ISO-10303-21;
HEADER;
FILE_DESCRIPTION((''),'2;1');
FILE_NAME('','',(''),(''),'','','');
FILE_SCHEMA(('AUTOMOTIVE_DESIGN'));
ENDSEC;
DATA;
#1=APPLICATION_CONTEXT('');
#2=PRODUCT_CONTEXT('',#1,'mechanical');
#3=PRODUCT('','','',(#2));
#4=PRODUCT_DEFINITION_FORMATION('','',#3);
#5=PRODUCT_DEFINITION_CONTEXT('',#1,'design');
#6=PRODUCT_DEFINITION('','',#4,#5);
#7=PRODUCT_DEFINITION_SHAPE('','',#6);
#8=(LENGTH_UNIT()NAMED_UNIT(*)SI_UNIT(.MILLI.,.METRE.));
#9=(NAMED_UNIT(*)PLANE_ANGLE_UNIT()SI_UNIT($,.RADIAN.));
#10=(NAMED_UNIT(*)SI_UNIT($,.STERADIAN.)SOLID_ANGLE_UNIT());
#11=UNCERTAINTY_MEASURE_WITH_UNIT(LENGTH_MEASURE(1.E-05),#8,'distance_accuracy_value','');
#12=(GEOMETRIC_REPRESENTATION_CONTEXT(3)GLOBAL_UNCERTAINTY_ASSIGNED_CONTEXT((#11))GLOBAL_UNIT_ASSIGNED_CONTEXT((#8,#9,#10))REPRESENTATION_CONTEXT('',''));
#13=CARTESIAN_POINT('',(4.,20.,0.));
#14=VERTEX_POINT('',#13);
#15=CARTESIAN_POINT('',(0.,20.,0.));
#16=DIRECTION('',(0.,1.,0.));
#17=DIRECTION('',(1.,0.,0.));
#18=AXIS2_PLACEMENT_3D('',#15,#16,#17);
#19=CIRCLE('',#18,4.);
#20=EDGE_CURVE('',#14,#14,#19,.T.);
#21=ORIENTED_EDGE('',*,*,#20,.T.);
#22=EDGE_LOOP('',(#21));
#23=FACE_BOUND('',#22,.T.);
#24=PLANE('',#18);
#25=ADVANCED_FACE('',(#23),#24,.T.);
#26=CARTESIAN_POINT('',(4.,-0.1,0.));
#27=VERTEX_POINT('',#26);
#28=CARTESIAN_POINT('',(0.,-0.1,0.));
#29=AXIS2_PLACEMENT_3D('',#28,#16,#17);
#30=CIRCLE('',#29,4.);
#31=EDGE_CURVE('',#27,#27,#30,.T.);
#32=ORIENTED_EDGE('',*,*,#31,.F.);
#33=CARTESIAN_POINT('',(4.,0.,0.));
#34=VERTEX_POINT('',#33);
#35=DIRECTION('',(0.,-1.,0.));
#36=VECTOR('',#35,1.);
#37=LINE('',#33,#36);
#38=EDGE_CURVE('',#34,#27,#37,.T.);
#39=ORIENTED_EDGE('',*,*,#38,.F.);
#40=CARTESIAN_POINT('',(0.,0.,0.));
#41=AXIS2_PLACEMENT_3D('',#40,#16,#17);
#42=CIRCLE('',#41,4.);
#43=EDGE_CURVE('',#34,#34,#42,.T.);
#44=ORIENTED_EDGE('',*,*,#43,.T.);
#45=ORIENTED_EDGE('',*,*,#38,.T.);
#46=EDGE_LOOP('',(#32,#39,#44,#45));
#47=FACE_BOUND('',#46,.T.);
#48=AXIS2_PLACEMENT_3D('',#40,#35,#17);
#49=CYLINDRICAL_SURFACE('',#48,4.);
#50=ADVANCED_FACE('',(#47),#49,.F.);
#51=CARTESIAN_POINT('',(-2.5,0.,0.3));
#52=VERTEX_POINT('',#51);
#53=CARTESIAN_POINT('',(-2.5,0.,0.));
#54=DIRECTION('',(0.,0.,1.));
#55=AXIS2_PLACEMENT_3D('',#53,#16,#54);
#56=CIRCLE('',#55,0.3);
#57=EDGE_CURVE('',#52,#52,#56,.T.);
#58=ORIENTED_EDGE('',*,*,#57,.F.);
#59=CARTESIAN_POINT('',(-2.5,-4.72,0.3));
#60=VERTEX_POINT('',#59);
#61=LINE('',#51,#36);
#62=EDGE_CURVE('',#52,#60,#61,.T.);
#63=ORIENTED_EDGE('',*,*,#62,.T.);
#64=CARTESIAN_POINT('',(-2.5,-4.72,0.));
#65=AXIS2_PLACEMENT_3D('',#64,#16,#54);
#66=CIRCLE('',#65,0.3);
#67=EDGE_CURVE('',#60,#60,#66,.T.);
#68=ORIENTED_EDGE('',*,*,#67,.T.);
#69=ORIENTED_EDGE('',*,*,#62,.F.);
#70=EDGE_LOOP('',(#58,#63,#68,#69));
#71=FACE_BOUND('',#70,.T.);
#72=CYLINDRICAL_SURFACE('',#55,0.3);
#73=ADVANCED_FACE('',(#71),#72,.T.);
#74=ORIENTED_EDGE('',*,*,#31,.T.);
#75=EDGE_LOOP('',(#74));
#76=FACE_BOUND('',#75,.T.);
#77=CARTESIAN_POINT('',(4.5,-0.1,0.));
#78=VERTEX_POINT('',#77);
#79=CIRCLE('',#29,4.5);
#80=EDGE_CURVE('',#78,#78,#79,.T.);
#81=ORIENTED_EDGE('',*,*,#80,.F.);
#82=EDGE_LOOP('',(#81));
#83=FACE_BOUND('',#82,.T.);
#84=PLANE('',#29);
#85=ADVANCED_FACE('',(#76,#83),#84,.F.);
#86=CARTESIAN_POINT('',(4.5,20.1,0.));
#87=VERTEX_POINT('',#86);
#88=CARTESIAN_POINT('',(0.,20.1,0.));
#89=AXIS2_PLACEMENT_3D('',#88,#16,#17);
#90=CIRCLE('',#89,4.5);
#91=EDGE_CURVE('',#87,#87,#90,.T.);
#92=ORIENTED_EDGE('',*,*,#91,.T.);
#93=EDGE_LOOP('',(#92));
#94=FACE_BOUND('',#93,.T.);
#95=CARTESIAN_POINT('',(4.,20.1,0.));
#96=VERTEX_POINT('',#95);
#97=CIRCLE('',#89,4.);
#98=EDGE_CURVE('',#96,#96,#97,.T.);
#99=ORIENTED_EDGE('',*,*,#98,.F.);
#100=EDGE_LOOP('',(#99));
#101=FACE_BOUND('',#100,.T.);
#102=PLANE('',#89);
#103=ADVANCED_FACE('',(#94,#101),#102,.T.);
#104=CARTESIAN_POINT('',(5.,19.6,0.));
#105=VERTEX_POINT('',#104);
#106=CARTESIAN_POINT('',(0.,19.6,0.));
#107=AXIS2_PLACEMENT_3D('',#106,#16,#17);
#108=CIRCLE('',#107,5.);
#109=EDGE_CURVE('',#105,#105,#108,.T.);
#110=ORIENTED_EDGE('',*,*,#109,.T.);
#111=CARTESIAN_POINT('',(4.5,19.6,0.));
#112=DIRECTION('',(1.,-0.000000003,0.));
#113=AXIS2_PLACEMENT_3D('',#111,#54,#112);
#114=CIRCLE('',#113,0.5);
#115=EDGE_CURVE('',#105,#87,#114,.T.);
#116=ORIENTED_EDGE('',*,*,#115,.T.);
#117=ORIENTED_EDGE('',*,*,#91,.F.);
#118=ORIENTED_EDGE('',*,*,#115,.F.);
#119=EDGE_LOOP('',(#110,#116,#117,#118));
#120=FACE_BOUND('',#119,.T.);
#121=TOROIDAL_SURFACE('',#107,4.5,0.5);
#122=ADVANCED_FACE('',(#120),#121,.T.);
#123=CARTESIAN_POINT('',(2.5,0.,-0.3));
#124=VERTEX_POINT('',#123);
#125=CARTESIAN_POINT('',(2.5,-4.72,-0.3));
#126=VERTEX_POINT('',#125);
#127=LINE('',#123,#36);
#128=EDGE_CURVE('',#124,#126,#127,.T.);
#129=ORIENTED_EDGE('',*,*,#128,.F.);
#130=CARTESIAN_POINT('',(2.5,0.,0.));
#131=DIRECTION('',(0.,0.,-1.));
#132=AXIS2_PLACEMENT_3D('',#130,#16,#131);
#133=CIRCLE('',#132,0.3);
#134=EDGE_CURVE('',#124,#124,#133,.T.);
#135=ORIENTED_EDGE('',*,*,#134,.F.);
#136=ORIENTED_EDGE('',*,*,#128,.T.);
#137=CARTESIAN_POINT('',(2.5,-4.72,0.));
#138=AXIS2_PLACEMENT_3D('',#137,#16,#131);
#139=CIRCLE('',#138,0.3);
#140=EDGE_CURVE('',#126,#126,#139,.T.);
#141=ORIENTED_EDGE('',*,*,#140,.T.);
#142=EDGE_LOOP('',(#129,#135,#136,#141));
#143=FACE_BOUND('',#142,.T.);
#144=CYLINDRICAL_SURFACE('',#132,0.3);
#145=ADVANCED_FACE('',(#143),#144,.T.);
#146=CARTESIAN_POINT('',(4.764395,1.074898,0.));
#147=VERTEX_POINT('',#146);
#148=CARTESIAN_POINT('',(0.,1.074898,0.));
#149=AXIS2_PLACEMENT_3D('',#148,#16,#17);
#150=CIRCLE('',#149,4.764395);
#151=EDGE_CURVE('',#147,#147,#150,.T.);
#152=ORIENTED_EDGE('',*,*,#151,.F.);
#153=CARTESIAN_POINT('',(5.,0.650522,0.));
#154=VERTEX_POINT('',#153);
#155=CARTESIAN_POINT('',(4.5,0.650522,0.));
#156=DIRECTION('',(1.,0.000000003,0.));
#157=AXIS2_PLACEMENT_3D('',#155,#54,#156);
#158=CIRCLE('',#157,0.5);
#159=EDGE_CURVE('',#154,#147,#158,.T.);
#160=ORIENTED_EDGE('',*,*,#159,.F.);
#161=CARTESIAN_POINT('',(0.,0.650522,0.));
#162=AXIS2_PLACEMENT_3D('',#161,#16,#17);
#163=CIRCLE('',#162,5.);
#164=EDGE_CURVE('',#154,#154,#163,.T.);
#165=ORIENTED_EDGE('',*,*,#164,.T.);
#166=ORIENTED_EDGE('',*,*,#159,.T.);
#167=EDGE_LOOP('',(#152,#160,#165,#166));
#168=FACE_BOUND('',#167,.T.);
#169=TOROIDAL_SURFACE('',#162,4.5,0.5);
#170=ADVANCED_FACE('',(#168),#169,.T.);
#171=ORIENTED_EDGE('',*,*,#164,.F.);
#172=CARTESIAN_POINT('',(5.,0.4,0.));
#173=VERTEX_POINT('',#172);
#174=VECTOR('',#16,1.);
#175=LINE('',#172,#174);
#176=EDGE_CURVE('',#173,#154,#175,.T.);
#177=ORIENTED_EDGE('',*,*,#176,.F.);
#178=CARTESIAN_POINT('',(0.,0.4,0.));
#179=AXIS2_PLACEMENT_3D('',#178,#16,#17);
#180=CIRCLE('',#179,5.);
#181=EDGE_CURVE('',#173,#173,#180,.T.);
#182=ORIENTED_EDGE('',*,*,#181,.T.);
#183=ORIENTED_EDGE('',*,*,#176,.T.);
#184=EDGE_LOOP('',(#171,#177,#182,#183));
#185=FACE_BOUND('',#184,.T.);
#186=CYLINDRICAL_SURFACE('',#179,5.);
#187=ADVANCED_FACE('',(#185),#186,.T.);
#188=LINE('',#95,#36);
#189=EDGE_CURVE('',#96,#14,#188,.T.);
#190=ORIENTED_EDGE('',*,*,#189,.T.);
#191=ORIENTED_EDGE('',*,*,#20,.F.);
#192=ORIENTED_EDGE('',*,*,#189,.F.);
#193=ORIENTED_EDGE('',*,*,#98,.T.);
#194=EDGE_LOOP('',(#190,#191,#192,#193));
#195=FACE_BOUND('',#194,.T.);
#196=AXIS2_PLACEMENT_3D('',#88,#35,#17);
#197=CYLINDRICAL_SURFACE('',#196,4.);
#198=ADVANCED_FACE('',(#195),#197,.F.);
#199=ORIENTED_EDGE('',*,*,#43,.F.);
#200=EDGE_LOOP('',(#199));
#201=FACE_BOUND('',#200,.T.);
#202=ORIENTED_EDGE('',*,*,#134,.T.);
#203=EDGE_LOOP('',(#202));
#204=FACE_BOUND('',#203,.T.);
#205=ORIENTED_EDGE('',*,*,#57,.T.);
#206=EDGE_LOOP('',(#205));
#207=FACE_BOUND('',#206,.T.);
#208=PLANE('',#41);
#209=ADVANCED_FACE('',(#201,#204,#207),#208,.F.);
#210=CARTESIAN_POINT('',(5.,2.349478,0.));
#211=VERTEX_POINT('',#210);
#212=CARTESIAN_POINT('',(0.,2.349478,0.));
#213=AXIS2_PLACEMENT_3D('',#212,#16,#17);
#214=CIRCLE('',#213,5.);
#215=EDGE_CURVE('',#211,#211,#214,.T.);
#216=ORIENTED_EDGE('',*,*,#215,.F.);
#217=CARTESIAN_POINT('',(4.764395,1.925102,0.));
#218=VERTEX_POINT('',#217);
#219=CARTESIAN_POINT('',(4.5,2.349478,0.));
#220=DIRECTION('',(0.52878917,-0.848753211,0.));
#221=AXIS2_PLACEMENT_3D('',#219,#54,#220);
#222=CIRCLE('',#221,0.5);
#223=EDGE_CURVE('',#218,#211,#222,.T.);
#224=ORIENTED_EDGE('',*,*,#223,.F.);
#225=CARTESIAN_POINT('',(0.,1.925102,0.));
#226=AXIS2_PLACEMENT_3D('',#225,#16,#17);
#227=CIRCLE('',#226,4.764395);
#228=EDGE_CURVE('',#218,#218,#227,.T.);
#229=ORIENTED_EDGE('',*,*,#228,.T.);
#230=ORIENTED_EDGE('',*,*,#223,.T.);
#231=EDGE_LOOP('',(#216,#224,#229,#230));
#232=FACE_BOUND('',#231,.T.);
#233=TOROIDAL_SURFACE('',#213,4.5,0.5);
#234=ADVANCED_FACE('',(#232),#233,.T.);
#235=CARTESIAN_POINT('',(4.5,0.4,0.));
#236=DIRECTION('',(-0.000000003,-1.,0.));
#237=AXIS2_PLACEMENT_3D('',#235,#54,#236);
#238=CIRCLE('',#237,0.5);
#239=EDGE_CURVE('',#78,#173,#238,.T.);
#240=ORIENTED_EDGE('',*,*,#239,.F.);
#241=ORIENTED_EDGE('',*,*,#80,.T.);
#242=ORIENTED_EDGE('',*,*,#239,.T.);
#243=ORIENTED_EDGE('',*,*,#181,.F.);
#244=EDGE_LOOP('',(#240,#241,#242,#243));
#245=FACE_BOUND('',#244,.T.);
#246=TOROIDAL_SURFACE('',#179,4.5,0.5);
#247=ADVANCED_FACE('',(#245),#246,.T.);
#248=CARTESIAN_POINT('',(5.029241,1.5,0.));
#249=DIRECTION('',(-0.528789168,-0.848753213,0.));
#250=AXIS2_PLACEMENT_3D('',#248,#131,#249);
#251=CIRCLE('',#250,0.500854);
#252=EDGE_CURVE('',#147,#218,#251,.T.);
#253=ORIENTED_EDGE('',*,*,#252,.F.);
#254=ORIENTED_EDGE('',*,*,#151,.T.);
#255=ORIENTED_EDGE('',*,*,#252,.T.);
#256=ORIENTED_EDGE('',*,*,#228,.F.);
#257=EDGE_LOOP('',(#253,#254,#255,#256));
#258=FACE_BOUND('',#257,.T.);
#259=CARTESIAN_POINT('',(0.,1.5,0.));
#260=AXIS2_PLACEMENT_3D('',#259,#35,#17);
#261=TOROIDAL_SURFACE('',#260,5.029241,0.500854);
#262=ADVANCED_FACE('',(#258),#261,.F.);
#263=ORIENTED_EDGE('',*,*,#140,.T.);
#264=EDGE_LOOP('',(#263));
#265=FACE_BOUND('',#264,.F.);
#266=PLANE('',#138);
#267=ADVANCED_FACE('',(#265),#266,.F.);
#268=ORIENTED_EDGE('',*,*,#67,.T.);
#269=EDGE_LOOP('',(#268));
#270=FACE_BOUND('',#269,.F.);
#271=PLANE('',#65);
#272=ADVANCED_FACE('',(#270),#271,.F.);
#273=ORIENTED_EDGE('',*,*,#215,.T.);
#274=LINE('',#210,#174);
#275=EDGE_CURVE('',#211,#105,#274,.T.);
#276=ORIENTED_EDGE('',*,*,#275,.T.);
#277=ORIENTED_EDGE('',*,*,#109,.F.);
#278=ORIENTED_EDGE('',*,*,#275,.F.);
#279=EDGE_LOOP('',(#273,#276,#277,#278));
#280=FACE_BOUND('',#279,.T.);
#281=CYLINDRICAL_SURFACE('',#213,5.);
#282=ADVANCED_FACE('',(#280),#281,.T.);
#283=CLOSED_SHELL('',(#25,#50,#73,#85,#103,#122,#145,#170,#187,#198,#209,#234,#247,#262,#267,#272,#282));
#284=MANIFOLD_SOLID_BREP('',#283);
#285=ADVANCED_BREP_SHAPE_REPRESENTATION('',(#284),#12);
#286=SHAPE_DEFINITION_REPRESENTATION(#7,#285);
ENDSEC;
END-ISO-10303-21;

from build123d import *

# Parameters (mm, degrees)
SKETCH1_R             = 0.3
BOSS_EXTRUDE1_DEPTH   = 4.72
BOSS_EXTRUDE1_2_DEPTH = 4.72


with BuildPart() as part:
    # Sketch1 → Boss-Extrude1 (new body)
    with BuildSketch(Plane(origin=(0, 0, 0), x_dir=(1, 0, 0), z_dir=(0, 1, 0))):
        with Locations(Location((-2.5, 0, 0), (0, 0, 270))):
            Circle(SKETCH1_R)
    extrude(amount=-BOSS_EXTRUDE1_DEPTH)



with BuildPart() as body_2:
    # Sketch1 → Boss-Extrude1 2 (new body)
    with BuildSketch(Plane(origin=(0, 0, 0), x_dir=(1, 0, 0), z_dir=(0, 1, 0))):
        with Locations(Location((2.5, 0, 0), (0, 0, 90))):
            Circle(SKETCH1_R)
    extrude(amount=-BOSS_EXTRUDE1_2_DEPTH)


with BuildPart() as part_1:
    add(part.part)

    add(body_2.part)  # Revolve1 merges body 2
    # Sketch3 → Revolve1 (revolve)
    with BuildSketch(Plane.XY):
        with BuildLine():
            Line((5, 0.4), (5, 0.650521697))
            ThreePointArc((5, 0.650521697), (4.937148311, 0.893217708), (4.764394584, 1.074898303))
            ThreePointArc((4.764394584, 1.074898303), (4.528386612, 1.5), (4.764394584, 1.925101697))
            ThreePointArc((4.764394584, 1.925101697), (4.937148311, 2.106782292), (5, 2.349478303))
            Line((5, 2.349478303), (5, 19.6))
            ThreePointArc((5, 19.6), (4.853553391, 19.953553391), (4.5, 20.1))
            Line((4.5, 20.1), (4, 20.1))
            Line((4, 20.1), (4, 20))
            Line((4, 20), (0, 20))
            Line((0, 20), (0, 0))
            Line((0, 0), (4, 0))
            Line((4, 0), (4, -0.1))
            Line((4, -0.1), (4.5, -0.1))
            ThreePointArc((4.5, -0.1), (4.853553391, 0.046446609), (5, 0.4))
        make_face()
    revolve(axis=Axis((0, 0, 0), (0, 1, 0)))


solid = part_1.part
